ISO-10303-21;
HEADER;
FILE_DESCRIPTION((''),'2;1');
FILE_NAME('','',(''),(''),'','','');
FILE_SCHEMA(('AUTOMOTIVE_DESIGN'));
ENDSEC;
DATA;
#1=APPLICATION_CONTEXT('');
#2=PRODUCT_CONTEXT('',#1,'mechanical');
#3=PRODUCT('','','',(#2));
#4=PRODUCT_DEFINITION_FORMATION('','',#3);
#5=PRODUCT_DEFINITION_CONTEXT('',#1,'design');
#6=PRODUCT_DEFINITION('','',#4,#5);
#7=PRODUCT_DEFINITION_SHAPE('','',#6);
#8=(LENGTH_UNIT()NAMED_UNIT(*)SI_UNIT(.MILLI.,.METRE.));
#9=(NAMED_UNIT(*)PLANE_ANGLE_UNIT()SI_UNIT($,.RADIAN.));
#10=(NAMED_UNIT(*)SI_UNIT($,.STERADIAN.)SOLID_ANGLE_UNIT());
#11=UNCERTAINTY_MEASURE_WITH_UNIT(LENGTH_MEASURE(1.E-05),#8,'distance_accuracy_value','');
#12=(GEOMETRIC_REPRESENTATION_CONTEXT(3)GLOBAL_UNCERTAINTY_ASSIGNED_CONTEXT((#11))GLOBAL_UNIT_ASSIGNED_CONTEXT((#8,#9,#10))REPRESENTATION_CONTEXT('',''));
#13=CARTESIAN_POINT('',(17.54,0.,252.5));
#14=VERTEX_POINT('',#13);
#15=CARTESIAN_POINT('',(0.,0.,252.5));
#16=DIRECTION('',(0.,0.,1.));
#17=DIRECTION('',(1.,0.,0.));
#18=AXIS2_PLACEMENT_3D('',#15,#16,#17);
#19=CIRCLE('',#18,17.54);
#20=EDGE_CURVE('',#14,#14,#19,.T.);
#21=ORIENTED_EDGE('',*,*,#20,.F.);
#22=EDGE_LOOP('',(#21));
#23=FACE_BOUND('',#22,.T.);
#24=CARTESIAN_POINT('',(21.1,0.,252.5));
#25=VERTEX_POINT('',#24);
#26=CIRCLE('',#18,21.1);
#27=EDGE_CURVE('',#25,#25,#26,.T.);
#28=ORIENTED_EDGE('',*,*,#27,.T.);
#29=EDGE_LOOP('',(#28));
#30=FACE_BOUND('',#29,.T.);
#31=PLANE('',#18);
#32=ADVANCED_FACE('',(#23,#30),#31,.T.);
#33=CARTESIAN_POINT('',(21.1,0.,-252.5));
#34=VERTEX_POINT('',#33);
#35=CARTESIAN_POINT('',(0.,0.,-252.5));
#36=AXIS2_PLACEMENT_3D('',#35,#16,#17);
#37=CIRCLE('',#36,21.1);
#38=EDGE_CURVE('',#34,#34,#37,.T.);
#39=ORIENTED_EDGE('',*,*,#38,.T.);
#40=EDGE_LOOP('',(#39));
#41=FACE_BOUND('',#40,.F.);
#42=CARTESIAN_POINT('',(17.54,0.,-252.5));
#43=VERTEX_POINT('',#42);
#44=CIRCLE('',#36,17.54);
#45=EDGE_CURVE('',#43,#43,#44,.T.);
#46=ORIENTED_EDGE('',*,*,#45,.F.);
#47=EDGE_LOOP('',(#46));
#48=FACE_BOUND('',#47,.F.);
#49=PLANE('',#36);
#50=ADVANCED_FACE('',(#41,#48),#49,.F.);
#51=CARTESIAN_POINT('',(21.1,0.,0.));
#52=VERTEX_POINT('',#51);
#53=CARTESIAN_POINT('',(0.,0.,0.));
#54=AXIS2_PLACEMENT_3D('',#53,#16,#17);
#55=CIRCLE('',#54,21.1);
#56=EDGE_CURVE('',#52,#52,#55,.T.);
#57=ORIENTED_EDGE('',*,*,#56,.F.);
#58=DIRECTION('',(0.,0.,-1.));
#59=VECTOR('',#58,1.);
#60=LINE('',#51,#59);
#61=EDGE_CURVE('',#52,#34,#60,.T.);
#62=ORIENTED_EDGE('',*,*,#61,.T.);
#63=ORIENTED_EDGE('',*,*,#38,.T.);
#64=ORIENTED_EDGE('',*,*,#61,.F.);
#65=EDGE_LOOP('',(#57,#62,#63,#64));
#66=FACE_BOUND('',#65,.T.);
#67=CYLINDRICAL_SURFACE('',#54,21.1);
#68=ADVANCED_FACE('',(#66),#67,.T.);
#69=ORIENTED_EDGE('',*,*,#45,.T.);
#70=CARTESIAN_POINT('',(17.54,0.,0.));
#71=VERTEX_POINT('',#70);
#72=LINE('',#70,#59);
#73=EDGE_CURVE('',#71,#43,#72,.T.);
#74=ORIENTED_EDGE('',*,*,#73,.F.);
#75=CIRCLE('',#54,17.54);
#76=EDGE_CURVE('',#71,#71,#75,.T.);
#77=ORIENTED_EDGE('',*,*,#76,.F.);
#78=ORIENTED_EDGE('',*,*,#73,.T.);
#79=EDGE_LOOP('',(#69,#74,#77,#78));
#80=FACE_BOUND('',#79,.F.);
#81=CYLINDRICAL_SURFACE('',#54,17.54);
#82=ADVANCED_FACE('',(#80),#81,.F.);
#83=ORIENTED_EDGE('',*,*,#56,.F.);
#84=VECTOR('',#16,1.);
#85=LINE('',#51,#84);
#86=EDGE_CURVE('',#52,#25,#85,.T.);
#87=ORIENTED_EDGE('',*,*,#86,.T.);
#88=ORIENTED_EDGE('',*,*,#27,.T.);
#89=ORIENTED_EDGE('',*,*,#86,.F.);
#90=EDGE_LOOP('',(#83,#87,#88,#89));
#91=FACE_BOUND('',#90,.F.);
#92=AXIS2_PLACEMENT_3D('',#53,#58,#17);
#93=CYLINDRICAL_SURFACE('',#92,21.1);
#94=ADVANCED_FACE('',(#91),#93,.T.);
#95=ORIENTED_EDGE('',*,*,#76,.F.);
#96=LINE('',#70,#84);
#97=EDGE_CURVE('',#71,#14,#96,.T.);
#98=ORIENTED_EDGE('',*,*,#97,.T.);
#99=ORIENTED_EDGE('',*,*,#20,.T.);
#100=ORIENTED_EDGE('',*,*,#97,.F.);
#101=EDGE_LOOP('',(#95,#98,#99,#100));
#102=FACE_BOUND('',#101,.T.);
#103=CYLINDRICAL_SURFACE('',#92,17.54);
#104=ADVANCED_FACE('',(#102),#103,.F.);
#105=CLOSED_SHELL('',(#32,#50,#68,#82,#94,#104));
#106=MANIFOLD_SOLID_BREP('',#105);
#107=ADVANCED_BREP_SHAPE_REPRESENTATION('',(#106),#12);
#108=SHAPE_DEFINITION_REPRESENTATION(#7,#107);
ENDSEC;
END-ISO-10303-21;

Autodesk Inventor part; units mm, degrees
ref_plane "YZ Plane" through (0, 0, 0) normal (1, 0, 0) x (0, 1, 0)
ref_plane "XZ Plane" through (0, 0, 0) normal (0, 1, 0) x (-1, 0, 0)
ref_plane "XY Plane" through (0, 0, 0) normal (0, 0, 1) x (1, 0, 0)
sketch "Sketch1" plane through (0, 0, 0) normal (0, 0, 1) x (1, 0, 0)
  circle A0 centre (0, 0) radius 21.1
  circle A1 centre (0, 0) radius 17.54
  dimension "OD" = 42.2
  dimension "t" = 3.56
extrude "Extrusion1" add sketch "Sketch1" along normal mid plane 505
equation "\"size\" = 7"
properties part number "TT" material "Aluminium 6082 T6"
